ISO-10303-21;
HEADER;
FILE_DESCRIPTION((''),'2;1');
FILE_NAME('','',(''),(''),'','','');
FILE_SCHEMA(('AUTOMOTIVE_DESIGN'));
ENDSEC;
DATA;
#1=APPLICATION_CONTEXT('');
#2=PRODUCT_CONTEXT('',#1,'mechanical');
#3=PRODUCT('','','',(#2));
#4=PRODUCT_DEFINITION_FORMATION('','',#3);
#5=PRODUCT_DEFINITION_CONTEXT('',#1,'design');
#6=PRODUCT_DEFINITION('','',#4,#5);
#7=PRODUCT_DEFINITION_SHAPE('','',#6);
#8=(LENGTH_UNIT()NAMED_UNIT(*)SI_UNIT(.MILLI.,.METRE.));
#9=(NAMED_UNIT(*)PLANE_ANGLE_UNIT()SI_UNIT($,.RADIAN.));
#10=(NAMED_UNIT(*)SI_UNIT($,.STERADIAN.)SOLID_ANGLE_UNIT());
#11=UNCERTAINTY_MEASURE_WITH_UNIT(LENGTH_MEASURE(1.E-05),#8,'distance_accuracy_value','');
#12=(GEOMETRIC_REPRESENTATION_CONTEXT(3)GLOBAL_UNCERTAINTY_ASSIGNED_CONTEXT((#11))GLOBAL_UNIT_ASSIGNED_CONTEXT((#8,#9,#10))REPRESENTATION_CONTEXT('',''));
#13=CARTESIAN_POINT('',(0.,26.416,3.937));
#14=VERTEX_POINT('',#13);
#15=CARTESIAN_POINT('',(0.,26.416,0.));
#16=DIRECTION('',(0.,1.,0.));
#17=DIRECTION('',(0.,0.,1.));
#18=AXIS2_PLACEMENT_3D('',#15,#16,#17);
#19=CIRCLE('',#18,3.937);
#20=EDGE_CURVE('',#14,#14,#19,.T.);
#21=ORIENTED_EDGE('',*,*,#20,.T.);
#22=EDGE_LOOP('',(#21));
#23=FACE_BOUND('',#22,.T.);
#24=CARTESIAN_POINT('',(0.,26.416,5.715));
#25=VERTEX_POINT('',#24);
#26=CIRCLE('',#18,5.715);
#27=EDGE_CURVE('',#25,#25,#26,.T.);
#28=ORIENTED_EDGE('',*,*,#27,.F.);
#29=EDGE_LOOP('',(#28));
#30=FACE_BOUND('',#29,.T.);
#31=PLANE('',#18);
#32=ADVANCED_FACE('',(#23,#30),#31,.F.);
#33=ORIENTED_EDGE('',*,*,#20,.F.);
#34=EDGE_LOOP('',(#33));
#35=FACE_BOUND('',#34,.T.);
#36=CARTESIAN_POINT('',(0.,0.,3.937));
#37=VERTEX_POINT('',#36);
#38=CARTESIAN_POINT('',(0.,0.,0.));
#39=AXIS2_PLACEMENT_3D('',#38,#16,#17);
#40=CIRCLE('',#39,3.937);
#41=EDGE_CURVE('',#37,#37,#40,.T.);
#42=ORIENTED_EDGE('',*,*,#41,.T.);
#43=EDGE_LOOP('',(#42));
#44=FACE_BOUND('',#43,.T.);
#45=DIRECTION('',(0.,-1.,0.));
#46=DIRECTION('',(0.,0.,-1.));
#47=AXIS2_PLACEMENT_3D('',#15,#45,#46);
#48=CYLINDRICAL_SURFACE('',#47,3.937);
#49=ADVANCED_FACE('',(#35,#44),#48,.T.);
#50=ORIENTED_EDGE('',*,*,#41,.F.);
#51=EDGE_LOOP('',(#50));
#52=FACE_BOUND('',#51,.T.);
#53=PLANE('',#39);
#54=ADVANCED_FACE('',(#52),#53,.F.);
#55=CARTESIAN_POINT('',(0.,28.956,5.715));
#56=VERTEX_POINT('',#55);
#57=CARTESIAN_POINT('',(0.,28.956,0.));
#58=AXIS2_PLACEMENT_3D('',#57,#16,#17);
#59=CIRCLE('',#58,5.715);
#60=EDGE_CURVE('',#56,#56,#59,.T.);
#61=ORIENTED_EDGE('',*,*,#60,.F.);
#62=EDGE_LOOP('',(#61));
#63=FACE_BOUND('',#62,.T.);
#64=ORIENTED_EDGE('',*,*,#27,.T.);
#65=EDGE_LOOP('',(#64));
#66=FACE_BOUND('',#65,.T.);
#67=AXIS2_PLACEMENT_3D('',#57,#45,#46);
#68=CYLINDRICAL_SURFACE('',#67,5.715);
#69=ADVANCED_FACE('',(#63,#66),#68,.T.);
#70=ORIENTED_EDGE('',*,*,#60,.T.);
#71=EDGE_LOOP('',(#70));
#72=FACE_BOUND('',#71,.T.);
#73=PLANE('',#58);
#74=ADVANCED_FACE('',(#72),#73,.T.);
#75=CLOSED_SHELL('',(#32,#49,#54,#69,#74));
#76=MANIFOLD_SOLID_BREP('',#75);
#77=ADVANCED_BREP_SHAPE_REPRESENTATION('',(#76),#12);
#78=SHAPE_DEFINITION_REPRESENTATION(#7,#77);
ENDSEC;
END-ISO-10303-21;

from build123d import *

# Parameters (mm, degrees)
SKETCH1_R           = 3.937
BOSS_EXTRUDE1_DEPTH = 26.416
SKETCH2_R           = 5.715
BOSS_EXTRUDE2_DEPTH = 2.54


with BuildPart() as part:
    # Sketch1 → Boss-Extrude1 (new body)
    with BuildSketch(Plane(origin=(0, 0, 0), x_dir=(1, 0, 0), z_dir=(0, 1, 0))):
        Circle(SKETCH1_R)
    extrude(amount=BOSS_EXTRUDE1_DEPTH)

    # Sketch2 → Boss-Extrude2 (add)
    with BuildSketch(Plane(origin=(0, 26.416, 0), x_dir=(1, 0, 0), z_dir=(0, 1, 0))):
        Circle(SKETCH2_R)
    extrude(amount=BOSS_EXTRUDE2_DEPTH)


solid = part.part
